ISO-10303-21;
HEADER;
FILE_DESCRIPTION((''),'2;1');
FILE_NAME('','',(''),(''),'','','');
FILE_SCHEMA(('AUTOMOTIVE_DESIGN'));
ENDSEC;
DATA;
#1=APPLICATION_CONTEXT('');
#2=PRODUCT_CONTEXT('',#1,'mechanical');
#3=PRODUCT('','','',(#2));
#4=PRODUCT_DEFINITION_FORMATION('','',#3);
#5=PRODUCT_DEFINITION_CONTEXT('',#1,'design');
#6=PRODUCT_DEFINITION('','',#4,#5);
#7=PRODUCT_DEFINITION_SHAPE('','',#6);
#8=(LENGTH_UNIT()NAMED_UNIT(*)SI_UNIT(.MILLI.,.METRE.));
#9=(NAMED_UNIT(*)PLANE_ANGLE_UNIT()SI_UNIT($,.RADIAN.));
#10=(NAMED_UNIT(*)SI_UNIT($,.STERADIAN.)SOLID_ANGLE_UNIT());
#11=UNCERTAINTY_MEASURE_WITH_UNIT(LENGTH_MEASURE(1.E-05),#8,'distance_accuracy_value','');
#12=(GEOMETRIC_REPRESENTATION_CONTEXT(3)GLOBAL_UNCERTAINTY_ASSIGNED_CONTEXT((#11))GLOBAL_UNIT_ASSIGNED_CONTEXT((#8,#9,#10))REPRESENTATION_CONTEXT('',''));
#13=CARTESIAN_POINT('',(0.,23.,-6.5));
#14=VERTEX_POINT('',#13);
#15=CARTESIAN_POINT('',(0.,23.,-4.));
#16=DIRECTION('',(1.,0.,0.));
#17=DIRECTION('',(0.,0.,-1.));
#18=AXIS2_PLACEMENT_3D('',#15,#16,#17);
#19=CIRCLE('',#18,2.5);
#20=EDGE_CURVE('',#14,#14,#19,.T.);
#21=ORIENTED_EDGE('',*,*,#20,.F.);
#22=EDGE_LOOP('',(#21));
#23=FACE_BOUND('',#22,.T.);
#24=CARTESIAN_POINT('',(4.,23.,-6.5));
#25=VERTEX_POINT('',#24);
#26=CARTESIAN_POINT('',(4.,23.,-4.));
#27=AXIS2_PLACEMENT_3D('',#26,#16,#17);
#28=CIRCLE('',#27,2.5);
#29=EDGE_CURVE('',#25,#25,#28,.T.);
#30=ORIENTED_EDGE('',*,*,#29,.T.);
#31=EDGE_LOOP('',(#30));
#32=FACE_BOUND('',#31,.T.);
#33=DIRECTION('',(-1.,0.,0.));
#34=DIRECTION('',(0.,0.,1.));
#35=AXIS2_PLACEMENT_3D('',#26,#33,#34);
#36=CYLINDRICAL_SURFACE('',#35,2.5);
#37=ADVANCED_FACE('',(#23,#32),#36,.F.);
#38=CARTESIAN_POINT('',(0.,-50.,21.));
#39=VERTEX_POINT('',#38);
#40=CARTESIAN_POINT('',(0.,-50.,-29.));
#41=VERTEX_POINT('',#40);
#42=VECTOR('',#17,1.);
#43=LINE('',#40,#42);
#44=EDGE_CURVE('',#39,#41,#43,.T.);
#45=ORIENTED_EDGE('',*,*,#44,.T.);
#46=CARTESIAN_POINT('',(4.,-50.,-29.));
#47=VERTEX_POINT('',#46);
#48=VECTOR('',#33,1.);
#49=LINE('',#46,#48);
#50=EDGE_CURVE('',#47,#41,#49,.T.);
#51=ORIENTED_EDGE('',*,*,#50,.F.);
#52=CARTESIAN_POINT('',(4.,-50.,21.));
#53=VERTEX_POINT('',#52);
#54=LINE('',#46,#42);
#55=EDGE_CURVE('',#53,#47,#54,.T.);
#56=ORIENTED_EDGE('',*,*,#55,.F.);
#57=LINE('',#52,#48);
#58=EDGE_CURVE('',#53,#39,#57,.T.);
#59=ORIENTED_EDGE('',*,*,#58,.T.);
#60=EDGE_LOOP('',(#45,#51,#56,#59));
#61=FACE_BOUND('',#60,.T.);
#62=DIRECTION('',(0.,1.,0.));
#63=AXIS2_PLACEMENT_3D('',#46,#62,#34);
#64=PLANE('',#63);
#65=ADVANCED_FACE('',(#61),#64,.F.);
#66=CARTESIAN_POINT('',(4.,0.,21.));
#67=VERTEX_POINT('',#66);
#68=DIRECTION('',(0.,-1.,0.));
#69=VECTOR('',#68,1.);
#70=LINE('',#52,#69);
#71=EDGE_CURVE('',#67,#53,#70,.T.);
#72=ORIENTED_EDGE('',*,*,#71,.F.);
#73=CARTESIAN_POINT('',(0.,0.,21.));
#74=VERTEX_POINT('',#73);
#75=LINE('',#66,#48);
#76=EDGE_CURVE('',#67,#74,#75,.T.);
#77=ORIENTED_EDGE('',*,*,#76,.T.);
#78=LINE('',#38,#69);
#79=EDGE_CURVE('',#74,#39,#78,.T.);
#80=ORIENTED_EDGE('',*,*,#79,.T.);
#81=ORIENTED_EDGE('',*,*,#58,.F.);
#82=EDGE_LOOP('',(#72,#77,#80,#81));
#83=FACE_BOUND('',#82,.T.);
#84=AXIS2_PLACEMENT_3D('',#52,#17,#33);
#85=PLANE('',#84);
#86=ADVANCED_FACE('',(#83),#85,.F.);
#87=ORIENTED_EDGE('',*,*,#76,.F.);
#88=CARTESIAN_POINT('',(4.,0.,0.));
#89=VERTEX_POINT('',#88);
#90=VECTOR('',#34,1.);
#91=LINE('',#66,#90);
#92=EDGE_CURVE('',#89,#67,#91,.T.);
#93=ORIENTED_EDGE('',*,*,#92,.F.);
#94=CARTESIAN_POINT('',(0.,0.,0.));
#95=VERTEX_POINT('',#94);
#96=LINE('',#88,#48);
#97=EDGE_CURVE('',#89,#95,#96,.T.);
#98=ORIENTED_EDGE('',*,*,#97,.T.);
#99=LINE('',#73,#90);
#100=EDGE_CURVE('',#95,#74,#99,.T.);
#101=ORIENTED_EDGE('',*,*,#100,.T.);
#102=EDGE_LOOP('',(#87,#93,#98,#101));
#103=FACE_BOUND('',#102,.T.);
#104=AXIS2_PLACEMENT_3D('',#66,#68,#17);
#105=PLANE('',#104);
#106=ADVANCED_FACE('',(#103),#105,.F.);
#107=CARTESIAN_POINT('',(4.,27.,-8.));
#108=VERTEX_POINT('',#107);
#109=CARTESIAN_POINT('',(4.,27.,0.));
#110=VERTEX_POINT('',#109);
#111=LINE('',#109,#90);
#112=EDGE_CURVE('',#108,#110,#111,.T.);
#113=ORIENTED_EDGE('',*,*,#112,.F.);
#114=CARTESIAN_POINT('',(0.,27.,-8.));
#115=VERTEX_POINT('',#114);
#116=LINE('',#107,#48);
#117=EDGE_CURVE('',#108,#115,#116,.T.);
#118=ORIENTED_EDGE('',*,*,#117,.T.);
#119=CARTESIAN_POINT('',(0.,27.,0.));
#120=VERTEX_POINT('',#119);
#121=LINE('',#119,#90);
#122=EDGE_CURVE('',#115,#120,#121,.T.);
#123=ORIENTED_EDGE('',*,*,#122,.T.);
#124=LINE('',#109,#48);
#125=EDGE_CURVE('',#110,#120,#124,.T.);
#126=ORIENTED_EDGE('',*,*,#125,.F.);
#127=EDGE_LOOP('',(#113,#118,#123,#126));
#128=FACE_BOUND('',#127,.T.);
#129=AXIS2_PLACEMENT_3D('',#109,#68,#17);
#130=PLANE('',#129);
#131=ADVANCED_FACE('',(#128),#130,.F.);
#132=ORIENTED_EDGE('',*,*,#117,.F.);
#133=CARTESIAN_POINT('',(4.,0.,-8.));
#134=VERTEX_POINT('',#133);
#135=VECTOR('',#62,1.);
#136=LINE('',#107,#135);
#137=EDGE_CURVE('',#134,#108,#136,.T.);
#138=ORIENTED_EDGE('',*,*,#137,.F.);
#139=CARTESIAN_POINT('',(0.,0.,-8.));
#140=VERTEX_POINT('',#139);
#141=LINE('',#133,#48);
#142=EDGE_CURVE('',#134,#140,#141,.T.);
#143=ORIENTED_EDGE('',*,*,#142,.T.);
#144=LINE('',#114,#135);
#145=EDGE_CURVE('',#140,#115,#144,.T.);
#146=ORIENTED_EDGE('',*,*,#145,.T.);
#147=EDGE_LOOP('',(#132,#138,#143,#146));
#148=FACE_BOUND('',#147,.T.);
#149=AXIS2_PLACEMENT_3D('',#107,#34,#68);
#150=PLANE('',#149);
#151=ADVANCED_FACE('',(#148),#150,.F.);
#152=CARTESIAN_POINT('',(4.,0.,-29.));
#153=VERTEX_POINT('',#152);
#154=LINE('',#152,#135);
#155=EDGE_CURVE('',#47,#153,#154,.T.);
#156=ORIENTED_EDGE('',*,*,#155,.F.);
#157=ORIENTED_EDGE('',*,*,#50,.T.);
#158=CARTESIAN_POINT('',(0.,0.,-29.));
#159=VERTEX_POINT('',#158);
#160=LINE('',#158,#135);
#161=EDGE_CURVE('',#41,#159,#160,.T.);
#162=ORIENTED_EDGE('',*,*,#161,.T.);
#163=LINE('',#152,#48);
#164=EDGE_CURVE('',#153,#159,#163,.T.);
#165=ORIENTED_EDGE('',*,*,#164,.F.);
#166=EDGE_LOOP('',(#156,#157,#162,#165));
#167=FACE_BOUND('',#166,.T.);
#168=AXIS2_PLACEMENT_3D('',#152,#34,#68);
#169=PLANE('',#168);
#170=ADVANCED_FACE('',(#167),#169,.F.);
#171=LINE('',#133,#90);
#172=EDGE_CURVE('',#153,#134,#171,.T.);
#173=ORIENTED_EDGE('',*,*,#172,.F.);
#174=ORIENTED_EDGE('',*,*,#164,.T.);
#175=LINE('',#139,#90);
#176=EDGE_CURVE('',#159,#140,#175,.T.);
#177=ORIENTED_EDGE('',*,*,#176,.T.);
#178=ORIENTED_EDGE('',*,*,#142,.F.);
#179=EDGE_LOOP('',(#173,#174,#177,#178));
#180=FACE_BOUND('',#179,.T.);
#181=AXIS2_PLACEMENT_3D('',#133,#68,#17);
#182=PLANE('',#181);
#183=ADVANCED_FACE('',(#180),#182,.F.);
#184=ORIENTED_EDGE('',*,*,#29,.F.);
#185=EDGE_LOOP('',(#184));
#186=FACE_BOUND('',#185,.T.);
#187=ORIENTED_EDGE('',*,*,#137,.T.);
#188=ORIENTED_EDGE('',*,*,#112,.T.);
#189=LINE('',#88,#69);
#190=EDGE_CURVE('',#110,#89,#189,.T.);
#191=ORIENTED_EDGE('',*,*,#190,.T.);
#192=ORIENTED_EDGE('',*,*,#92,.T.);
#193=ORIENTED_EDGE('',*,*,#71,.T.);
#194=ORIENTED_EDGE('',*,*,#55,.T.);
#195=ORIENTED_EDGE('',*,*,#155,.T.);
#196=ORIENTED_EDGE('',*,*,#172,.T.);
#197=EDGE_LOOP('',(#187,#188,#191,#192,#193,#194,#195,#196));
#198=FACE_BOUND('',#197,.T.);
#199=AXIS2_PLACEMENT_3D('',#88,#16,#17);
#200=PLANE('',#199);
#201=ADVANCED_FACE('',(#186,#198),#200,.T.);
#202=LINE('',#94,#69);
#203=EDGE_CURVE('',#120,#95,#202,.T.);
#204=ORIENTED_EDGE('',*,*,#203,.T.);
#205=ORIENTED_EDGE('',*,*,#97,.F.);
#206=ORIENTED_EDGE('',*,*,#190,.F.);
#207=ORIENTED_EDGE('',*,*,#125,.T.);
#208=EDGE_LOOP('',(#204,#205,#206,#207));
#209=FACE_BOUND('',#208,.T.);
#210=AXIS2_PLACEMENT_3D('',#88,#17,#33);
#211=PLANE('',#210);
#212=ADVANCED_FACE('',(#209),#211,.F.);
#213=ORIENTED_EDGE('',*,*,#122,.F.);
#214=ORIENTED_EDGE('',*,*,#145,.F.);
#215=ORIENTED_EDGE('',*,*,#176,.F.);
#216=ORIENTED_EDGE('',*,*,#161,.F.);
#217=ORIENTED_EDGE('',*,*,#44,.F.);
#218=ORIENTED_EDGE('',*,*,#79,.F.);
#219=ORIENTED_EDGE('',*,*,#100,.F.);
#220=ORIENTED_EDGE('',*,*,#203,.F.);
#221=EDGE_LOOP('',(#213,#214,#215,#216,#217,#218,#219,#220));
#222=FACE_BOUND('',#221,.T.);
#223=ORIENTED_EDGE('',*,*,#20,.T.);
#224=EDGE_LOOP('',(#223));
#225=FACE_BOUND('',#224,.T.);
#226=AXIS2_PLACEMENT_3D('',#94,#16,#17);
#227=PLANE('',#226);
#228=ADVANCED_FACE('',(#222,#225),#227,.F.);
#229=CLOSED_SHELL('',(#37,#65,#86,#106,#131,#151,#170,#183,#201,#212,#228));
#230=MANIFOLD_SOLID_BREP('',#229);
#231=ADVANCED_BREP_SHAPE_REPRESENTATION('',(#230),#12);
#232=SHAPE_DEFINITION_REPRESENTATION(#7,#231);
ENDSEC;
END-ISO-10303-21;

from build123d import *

# Parameters (mm, degrees)
SKETCH1_R           = 2.5
BOSS_EXTRUDE1_DEPTH = 4


with BuildPart() as part:
    # Sketch1 → Boss-Extrude1 (new body)
    with BuildSketch(Plane(origin=(0, 0, 0), x_dir=(0, 0, -1), z_dir=(1, 0, 0))):
        Polygon((0, 0), (0, 27), (8, 27), (8, 0), (29, 0), (29, -50), (-21, -50), (-21, 0), align=None)
        with Locations((4, 23)):
            Circle(SKETCH1_R, mode=Mode.SUBTRACT)
    extrude(amount=BOSS_EXTRUDE1_DEPTH)


solid = part.part
